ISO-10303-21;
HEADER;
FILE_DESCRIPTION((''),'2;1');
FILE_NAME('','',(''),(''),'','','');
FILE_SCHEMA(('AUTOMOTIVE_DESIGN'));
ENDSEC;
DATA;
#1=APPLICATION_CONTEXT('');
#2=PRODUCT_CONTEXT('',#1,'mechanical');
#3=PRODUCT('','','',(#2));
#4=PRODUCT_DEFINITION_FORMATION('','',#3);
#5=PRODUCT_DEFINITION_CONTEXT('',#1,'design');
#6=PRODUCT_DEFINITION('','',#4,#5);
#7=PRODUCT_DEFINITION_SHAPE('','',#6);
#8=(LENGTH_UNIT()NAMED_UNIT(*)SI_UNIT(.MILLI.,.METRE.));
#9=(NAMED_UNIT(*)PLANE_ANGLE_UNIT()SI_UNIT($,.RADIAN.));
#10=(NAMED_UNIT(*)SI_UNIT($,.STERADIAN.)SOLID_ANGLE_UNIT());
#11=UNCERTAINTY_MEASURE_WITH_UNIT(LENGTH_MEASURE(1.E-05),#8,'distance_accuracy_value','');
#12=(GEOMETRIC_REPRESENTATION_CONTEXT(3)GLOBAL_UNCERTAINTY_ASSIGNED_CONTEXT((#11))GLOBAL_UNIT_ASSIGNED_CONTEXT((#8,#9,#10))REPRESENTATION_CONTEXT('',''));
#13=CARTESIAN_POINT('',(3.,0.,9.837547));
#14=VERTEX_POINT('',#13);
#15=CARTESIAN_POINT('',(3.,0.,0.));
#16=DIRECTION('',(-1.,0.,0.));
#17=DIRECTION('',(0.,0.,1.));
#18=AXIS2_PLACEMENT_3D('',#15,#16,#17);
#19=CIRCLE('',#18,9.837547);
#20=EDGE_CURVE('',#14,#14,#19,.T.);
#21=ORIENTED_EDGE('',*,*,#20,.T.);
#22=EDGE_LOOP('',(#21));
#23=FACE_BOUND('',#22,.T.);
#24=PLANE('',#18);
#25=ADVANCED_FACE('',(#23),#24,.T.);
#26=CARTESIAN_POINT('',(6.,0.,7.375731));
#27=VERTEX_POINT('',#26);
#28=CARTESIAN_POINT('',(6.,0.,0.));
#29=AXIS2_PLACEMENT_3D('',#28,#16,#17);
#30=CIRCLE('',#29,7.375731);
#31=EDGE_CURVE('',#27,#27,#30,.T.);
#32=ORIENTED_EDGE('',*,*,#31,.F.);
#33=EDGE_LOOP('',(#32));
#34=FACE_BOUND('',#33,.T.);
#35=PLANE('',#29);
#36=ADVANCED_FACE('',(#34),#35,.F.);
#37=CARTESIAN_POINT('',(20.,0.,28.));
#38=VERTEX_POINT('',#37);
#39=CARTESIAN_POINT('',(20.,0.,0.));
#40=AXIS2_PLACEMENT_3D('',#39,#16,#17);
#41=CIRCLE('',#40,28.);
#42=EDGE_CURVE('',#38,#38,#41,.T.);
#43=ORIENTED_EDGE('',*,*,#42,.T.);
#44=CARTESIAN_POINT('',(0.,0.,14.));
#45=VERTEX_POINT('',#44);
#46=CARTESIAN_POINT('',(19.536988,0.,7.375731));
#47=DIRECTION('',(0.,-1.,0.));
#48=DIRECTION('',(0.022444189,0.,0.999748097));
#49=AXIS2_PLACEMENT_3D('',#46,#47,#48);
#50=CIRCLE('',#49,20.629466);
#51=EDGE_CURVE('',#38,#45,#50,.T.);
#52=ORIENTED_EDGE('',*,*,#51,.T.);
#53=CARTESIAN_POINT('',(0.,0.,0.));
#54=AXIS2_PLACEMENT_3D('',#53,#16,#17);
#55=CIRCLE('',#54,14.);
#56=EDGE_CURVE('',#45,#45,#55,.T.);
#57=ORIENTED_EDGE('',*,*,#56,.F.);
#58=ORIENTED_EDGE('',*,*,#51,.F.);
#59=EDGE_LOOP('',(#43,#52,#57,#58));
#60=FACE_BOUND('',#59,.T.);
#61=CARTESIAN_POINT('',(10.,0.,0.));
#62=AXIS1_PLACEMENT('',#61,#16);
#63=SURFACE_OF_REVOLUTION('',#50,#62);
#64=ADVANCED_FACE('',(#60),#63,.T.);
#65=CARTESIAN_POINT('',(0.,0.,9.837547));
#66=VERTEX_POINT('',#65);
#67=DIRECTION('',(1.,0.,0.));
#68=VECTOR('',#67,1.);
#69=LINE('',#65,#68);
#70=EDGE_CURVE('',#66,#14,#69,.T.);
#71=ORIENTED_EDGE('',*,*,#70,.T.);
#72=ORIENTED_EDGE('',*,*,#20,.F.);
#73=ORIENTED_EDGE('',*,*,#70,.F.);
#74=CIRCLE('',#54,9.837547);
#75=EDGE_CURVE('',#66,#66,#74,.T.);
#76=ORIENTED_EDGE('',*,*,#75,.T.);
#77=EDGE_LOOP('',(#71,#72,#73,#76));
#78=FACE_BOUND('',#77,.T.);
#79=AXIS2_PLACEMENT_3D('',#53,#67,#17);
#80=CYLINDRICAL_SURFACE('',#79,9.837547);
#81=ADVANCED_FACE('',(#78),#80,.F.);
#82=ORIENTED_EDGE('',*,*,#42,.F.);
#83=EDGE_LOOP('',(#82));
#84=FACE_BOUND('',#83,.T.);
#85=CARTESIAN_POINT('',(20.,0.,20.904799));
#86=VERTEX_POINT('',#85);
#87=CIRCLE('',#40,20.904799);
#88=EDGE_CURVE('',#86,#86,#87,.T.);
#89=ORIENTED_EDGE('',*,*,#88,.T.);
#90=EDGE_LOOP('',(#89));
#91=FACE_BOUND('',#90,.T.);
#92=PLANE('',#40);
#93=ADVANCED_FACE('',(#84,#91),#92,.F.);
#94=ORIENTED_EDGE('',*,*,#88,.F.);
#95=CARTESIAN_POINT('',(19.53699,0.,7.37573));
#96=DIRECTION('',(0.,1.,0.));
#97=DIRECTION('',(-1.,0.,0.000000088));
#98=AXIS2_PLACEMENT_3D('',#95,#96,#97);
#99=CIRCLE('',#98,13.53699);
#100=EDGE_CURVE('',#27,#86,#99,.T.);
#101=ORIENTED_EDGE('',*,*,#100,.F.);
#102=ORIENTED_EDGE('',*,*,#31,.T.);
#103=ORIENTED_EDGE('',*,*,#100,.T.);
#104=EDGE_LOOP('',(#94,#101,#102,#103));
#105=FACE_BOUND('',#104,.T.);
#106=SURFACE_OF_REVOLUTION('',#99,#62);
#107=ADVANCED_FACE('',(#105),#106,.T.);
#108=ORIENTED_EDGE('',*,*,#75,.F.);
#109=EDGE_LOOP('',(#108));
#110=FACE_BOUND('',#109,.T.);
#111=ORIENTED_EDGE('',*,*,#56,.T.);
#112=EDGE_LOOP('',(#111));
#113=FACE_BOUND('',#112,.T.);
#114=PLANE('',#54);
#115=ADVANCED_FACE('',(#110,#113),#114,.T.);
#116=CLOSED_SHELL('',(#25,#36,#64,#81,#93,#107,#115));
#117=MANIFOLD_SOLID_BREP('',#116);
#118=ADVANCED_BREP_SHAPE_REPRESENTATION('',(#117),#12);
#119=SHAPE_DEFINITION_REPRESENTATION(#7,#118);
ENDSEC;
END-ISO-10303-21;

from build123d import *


with BuildPart() as f1:
    # F0 (on Front) → F1 (revolve)
    with BuildSketch(Plane.XZ):
        with BuildLine():
            Line((3, 9.837547), (3, 0))
            Line((3, 0), (6, 0))
            Line((6, 0), (6, 7.375731))
            ThreePointArc((6, 7.375731), (10.130016, 17.11015), (20, 20.904799))
            Line((20, 20.904799), (20, 28))
            ThreePointArc((20, 28), (7.706767, 24.276048), (0, 14))
            Line((0, 14), (0, 9.837547))
            Line((0, 9.837547), (3, 9.837547))
        make_face()
    revolve(axis=Axis((10, 0, 0), (-1, 0, 0)))


solid = f1.part
